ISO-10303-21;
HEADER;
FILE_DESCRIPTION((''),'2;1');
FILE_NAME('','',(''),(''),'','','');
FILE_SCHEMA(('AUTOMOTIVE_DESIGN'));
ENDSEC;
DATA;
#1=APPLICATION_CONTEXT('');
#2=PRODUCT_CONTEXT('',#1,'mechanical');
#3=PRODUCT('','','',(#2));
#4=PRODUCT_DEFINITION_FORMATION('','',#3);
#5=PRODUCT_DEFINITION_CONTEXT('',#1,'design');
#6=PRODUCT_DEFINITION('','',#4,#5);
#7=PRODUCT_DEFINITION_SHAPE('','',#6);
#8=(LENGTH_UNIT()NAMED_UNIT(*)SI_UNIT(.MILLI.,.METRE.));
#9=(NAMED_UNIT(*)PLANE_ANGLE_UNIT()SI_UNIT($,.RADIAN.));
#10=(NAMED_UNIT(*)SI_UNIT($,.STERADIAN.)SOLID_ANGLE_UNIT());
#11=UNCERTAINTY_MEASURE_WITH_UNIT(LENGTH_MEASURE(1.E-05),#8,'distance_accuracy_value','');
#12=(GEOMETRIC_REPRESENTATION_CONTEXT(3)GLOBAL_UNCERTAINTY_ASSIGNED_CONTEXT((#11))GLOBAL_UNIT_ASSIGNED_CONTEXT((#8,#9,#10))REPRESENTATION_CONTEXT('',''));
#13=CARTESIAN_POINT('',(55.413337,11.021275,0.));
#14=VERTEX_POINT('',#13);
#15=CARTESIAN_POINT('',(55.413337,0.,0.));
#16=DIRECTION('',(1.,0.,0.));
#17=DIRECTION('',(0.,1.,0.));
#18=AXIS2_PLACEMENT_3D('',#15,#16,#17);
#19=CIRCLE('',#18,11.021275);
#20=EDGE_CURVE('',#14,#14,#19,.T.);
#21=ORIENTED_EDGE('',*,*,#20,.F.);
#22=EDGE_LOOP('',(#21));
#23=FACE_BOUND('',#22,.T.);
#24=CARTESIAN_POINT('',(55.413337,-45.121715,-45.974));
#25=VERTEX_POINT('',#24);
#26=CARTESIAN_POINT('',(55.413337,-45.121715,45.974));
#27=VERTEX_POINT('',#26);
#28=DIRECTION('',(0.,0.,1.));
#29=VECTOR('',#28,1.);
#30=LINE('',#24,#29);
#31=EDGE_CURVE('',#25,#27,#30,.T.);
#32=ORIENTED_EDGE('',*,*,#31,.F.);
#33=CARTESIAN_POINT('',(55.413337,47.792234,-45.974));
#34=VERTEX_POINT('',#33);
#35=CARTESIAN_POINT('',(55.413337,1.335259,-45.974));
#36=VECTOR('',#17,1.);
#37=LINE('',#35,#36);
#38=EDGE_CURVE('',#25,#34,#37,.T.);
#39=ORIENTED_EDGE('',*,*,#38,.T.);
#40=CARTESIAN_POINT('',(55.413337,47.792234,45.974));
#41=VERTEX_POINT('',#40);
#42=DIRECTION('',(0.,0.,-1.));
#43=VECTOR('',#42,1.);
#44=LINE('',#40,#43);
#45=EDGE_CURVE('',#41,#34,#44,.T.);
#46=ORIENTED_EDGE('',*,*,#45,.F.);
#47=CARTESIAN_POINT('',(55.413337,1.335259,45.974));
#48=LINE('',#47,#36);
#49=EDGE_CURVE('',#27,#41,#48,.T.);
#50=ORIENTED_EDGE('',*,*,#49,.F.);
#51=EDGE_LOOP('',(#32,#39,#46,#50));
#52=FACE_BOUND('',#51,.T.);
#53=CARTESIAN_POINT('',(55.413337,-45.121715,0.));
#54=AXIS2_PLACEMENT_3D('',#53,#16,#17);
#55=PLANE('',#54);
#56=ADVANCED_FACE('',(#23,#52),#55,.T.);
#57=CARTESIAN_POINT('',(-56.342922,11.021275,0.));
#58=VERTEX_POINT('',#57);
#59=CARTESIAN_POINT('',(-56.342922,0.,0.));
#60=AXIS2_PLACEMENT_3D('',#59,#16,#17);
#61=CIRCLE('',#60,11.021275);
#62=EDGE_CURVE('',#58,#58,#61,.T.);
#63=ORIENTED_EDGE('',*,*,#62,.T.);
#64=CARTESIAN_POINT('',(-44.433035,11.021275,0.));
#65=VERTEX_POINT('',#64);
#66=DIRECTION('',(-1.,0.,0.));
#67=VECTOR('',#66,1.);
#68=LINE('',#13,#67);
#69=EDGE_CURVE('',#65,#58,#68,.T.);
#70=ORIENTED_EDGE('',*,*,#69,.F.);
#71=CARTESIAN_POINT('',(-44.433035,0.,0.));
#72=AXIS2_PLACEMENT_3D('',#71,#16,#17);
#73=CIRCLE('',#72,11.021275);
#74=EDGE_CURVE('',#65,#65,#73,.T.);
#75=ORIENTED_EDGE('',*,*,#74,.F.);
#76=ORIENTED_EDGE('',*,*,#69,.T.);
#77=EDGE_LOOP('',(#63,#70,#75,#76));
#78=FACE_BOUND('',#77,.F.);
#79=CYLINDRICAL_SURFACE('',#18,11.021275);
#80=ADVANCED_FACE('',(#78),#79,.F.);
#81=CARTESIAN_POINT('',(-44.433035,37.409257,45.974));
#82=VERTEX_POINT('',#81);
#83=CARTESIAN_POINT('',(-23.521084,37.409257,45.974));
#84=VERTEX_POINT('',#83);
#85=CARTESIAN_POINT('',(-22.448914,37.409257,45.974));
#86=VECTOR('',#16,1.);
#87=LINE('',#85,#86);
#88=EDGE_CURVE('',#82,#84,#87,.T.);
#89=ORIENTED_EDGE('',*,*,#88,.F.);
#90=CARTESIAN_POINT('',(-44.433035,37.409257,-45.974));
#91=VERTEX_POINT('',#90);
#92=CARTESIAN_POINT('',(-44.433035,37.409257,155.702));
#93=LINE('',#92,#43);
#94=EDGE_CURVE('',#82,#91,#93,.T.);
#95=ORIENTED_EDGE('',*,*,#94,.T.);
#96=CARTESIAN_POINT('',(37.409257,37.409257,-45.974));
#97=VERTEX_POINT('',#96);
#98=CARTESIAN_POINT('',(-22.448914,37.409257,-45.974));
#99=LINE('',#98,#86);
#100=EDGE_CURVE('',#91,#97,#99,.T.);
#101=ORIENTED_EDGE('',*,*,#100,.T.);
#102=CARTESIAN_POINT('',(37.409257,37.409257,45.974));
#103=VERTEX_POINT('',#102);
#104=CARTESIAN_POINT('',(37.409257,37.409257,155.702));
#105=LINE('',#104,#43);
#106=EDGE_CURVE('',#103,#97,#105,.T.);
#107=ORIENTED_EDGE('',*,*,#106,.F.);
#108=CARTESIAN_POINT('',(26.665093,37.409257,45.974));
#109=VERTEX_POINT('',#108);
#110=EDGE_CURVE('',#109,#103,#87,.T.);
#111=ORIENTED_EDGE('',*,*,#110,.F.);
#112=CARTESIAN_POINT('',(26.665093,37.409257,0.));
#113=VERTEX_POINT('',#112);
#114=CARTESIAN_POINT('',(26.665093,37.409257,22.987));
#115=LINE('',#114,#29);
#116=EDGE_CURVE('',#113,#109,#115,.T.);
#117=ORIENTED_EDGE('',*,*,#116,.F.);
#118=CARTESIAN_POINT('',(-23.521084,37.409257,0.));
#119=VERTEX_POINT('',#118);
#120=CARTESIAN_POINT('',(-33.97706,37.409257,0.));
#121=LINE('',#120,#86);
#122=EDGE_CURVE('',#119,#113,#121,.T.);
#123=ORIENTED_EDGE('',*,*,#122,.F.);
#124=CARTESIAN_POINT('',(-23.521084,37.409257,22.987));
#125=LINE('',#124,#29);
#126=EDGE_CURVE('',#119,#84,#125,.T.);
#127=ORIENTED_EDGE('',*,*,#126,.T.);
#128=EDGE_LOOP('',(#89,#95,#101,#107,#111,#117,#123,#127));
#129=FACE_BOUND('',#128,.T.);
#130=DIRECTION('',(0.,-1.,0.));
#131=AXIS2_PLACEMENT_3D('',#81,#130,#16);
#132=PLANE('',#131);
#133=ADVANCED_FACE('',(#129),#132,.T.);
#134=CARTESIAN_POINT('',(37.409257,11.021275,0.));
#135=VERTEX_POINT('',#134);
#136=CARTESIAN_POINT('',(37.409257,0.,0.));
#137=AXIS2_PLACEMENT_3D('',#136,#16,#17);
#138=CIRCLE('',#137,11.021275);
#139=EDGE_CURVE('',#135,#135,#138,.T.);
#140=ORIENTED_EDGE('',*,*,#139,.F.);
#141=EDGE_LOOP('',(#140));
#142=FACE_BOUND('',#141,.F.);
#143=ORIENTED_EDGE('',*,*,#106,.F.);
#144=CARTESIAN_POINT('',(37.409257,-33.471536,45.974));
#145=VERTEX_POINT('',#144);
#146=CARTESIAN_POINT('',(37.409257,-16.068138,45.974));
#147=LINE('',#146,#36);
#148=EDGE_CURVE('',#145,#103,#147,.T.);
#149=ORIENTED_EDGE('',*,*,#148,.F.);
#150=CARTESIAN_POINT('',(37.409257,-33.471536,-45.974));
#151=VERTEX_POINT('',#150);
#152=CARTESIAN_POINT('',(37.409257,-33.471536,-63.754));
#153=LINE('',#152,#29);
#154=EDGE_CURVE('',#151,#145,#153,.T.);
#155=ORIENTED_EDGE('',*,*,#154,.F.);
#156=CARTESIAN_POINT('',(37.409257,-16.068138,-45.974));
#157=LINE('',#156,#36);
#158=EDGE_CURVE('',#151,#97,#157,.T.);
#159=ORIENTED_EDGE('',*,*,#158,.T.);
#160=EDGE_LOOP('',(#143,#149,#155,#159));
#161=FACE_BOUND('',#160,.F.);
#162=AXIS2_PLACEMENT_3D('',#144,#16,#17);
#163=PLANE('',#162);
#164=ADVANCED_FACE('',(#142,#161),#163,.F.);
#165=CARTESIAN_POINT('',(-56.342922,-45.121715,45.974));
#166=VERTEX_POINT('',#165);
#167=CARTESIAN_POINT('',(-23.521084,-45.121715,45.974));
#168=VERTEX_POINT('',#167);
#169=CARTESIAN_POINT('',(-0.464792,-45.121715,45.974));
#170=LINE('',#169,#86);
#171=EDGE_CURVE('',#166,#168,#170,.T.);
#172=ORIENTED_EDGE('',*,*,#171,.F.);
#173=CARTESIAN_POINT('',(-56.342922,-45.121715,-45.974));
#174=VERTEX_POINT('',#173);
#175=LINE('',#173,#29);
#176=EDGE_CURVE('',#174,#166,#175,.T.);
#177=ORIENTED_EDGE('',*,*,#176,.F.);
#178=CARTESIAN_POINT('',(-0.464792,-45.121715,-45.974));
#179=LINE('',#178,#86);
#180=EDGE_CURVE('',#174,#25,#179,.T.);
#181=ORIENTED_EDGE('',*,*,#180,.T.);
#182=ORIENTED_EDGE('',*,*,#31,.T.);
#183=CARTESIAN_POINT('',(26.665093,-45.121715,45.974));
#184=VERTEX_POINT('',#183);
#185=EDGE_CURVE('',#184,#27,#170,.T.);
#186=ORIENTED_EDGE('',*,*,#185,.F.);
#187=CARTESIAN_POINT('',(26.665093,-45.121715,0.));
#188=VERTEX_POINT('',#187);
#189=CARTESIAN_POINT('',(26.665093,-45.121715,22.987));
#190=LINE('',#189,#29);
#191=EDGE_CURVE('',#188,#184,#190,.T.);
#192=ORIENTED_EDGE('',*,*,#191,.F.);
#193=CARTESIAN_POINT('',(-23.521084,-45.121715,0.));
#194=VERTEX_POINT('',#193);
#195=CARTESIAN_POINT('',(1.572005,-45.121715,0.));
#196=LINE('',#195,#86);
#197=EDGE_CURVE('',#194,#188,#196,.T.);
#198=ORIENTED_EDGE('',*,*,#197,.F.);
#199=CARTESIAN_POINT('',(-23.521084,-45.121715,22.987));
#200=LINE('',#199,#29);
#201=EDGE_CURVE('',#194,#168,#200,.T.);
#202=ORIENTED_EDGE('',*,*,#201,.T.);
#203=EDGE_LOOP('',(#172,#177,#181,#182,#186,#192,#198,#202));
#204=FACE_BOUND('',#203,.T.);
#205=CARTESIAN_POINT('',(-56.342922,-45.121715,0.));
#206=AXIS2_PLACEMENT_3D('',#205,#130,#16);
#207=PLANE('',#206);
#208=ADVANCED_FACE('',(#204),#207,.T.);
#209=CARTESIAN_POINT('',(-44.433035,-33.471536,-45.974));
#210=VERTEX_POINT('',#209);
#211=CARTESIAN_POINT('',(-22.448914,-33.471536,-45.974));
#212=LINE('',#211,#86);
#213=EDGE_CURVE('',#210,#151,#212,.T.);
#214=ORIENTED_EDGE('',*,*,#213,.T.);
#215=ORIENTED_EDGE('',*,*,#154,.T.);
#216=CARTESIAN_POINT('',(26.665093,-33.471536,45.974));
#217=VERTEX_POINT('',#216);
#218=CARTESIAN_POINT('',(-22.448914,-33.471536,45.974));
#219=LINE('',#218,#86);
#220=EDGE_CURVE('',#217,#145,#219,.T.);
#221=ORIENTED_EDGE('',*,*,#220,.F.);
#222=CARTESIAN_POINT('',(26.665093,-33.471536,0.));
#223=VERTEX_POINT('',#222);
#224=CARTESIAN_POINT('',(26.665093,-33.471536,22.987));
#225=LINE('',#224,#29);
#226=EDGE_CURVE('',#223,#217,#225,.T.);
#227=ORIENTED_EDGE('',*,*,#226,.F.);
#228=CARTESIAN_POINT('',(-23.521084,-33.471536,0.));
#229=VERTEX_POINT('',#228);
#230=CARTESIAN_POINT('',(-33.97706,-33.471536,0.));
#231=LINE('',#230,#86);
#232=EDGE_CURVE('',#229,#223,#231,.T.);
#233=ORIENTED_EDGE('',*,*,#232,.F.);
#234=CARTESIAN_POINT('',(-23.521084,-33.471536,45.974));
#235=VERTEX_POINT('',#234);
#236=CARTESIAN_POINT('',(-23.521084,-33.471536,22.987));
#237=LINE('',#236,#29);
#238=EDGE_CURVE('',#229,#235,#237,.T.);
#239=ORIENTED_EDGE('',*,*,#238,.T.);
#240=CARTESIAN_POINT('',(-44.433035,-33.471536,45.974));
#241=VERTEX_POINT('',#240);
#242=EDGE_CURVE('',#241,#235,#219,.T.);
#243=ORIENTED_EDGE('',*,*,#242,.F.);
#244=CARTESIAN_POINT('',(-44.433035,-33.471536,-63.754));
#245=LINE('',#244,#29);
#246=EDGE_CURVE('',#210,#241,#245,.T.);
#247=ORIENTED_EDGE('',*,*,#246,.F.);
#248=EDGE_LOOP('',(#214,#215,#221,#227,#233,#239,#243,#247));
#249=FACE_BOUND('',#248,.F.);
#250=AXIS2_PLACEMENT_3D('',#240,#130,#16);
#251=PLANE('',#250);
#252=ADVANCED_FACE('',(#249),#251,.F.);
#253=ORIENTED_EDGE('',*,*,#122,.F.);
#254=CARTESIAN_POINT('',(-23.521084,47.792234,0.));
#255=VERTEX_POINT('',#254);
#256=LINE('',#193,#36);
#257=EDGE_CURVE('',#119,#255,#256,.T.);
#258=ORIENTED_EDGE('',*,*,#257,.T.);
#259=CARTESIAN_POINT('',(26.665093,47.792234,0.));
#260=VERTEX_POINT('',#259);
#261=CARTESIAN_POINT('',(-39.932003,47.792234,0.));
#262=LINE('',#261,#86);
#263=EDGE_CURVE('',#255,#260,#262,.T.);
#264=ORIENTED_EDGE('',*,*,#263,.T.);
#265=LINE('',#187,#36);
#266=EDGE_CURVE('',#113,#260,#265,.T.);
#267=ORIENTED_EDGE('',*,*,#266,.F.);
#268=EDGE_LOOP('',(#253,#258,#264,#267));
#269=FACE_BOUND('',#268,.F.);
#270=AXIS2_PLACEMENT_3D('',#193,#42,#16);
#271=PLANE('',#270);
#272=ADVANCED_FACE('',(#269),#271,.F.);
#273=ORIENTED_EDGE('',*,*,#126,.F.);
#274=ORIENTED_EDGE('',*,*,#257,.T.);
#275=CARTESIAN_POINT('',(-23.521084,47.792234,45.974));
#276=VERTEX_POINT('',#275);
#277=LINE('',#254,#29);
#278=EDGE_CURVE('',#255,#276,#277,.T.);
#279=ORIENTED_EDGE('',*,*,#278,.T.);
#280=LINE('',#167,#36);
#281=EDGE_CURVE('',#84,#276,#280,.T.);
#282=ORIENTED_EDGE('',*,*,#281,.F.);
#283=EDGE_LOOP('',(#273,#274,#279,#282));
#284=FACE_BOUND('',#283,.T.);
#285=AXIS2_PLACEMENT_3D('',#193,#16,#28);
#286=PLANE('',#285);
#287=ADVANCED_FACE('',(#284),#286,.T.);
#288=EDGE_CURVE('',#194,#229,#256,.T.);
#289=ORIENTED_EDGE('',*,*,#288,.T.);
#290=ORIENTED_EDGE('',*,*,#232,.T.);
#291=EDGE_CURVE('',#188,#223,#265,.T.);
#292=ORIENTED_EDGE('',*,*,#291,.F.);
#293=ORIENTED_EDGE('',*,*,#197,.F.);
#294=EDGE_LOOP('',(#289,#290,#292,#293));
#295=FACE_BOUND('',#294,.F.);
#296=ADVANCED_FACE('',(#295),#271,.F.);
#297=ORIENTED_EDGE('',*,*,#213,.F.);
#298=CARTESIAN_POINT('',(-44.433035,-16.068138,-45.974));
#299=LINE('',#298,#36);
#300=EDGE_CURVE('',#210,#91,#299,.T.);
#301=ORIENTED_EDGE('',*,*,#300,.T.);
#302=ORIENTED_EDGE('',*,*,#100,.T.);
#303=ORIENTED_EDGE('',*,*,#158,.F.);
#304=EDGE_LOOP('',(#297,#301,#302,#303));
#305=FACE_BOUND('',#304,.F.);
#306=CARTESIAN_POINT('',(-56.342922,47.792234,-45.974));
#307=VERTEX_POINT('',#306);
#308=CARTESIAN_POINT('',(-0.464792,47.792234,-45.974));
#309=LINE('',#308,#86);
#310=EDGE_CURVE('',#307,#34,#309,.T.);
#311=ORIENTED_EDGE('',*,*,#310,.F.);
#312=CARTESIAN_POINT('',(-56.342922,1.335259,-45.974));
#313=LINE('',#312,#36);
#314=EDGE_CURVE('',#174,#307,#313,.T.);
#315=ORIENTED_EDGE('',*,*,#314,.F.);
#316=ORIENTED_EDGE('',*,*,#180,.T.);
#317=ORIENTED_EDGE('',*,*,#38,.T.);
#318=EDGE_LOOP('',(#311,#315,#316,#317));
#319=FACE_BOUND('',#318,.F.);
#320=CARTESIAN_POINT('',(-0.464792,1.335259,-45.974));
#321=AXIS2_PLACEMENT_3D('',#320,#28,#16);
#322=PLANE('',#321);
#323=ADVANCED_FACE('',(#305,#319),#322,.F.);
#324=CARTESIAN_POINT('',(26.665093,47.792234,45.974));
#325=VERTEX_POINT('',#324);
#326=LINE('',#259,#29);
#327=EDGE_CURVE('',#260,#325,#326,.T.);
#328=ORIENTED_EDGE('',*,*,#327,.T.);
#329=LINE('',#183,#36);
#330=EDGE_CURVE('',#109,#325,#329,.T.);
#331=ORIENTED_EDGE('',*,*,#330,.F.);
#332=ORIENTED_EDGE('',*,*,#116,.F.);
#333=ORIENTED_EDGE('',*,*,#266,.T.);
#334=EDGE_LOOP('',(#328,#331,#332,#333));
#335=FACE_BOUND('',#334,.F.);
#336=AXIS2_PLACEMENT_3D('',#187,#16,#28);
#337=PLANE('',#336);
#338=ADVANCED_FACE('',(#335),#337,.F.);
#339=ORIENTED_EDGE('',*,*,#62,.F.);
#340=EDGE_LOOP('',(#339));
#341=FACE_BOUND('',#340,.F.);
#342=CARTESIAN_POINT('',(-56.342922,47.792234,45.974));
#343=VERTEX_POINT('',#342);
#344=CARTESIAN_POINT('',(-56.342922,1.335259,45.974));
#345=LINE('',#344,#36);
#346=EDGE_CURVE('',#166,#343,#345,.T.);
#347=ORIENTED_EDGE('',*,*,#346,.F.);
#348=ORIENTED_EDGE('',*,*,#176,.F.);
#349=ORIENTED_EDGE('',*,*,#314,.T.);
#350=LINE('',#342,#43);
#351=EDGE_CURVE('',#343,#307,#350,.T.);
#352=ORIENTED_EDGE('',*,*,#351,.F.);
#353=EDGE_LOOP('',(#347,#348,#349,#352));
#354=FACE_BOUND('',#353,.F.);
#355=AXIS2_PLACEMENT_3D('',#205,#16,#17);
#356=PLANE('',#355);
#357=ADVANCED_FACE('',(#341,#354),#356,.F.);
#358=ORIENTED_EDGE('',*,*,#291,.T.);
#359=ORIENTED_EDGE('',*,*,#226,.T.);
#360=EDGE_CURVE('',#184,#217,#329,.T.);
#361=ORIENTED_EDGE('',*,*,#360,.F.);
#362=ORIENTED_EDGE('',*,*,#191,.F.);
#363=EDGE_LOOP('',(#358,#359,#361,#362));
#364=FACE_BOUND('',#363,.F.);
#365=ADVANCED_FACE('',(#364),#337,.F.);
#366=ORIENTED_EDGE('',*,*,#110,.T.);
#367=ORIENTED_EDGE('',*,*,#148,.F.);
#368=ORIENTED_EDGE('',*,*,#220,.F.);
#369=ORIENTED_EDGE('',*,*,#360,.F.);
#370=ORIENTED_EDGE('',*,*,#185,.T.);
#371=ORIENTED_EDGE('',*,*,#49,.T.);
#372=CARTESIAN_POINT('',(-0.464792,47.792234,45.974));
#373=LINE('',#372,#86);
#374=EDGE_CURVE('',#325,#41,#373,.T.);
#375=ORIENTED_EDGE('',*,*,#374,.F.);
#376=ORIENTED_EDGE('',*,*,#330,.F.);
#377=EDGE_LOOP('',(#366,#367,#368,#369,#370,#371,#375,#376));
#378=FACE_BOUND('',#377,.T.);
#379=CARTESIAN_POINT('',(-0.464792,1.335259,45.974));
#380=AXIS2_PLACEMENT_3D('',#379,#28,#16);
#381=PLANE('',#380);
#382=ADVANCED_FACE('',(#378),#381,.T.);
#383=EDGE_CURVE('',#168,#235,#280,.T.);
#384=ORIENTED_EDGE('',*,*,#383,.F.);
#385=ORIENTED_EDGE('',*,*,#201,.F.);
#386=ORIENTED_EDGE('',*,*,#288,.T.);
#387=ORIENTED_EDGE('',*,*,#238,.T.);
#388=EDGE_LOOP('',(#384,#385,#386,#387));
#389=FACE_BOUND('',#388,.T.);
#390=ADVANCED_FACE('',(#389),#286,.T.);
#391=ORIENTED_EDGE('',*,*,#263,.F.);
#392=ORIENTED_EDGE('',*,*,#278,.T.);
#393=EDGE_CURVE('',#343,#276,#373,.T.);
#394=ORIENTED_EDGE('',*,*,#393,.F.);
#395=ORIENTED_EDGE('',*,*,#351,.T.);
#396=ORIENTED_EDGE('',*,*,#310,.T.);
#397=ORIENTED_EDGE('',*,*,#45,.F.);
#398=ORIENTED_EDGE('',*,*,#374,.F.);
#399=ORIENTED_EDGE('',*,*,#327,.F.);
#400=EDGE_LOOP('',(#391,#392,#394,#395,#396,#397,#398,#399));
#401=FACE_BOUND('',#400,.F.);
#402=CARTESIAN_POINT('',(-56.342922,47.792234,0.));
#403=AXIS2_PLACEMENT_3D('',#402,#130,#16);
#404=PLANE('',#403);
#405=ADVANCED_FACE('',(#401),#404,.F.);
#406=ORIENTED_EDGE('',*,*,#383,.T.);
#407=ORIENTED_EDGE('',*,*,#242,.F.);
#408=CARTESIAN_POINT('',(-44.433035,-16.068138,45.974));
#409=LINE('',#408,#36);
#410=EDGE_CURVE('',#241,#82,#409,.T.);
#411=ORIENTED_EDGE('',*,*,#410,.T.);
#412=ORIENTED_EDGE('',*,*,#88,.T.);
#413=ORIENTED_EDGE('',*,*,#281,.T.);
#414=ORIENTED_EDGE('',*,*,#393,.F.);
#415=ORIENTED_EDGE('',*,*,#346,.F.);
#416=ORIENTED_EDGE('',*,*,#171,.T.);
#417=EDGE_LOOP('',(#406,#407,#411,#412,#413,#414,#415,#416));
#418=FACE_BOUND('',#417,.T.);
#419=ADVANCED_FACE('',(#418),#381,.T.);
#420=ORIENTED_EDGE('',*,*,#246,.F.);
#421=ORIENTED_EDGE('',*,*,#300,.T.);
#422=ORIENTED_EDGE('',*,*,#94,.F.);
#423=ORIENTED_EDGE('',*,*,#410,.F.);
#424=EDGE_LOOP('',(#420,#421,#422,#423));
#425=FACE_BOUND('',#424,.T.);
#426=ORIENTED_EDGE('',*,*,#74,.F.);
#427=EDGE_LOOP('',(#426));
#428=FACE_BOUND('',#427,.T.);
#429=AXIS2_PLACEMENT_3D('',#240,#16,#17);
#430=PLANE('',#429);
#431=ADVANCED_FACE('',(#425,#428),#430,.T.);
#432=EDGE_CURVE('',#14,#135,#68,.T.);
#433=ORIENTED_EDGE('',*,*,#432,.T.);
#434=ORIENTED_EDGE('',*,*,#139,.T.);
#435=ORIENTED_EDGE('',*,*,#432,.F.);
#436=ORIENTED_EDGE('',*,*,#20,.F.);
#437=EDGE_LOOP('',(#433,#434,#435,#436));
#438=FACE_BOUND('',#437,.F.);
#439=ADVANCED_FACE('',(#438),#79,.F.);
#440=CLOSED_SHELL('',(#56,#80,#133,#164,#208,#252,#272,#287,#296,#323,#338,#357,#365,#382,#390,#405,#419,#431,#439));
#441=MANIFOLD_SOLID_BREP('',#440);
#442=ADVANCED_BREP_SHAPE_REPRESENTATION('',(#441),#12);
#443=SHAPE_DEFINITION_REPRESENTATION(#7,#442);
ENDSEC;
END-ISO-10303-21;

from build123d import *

# Parameters (mm, degrees)
F0_W     = 111.7562593253
F0_H     = 92.9139485481
F1_DEPTH = 45.974
F2_W     = 81.8422921002
F2_H     = 70.8807926811
F3_DEPTH = 109.728
F4_R     = 11.0212748346
F5_DEPTH = 176.022
F6_W     = 50.1861777157
F6_H     = 45.974
F7_DEPTH = 118.364


with BuildPart() as f1:
    # F0 (on Top) → F1 (new body, symmetric)
    with BuildSketch(Plane.XY):
        with Locations((-0.4647924884, 1.3352592527)):
            Rectangle(F0_W, F0_H)
    extrude(amount=F1_DEPTH, both=True)

    # F2 (on face) → F3 (cut, symmetric)
    with BuildSketch(Plane.XY.offset(45.974)):
        with Locations((-3.5118889064, 1.9688608032)):
            Rectangle(F2_W, F2_H)
    extrude(amount=F3_DEPTH, both=True, mode=Mode.SUBTRACT)

    # F4 (on face) → F5 (cut)
    with BuildSketch(Plane.YZ.offset(55.4133371742)):
        Circle(F4_R)
    extrude(amount=-F5_DEPTH, mode=Mode.SUBTRACT)

    # F6 (on face) → F7 (cut)
    with BuildSketch(Plane.XZ.offset(45.1217150214)):
        with Locations((1.5720045194, 22.987)):
            Rectangle(F6_W, F6_H)
    extrude(amount=-F7_DEPTH, mode=Mode.SUBTRACT)


solid = f1.part
